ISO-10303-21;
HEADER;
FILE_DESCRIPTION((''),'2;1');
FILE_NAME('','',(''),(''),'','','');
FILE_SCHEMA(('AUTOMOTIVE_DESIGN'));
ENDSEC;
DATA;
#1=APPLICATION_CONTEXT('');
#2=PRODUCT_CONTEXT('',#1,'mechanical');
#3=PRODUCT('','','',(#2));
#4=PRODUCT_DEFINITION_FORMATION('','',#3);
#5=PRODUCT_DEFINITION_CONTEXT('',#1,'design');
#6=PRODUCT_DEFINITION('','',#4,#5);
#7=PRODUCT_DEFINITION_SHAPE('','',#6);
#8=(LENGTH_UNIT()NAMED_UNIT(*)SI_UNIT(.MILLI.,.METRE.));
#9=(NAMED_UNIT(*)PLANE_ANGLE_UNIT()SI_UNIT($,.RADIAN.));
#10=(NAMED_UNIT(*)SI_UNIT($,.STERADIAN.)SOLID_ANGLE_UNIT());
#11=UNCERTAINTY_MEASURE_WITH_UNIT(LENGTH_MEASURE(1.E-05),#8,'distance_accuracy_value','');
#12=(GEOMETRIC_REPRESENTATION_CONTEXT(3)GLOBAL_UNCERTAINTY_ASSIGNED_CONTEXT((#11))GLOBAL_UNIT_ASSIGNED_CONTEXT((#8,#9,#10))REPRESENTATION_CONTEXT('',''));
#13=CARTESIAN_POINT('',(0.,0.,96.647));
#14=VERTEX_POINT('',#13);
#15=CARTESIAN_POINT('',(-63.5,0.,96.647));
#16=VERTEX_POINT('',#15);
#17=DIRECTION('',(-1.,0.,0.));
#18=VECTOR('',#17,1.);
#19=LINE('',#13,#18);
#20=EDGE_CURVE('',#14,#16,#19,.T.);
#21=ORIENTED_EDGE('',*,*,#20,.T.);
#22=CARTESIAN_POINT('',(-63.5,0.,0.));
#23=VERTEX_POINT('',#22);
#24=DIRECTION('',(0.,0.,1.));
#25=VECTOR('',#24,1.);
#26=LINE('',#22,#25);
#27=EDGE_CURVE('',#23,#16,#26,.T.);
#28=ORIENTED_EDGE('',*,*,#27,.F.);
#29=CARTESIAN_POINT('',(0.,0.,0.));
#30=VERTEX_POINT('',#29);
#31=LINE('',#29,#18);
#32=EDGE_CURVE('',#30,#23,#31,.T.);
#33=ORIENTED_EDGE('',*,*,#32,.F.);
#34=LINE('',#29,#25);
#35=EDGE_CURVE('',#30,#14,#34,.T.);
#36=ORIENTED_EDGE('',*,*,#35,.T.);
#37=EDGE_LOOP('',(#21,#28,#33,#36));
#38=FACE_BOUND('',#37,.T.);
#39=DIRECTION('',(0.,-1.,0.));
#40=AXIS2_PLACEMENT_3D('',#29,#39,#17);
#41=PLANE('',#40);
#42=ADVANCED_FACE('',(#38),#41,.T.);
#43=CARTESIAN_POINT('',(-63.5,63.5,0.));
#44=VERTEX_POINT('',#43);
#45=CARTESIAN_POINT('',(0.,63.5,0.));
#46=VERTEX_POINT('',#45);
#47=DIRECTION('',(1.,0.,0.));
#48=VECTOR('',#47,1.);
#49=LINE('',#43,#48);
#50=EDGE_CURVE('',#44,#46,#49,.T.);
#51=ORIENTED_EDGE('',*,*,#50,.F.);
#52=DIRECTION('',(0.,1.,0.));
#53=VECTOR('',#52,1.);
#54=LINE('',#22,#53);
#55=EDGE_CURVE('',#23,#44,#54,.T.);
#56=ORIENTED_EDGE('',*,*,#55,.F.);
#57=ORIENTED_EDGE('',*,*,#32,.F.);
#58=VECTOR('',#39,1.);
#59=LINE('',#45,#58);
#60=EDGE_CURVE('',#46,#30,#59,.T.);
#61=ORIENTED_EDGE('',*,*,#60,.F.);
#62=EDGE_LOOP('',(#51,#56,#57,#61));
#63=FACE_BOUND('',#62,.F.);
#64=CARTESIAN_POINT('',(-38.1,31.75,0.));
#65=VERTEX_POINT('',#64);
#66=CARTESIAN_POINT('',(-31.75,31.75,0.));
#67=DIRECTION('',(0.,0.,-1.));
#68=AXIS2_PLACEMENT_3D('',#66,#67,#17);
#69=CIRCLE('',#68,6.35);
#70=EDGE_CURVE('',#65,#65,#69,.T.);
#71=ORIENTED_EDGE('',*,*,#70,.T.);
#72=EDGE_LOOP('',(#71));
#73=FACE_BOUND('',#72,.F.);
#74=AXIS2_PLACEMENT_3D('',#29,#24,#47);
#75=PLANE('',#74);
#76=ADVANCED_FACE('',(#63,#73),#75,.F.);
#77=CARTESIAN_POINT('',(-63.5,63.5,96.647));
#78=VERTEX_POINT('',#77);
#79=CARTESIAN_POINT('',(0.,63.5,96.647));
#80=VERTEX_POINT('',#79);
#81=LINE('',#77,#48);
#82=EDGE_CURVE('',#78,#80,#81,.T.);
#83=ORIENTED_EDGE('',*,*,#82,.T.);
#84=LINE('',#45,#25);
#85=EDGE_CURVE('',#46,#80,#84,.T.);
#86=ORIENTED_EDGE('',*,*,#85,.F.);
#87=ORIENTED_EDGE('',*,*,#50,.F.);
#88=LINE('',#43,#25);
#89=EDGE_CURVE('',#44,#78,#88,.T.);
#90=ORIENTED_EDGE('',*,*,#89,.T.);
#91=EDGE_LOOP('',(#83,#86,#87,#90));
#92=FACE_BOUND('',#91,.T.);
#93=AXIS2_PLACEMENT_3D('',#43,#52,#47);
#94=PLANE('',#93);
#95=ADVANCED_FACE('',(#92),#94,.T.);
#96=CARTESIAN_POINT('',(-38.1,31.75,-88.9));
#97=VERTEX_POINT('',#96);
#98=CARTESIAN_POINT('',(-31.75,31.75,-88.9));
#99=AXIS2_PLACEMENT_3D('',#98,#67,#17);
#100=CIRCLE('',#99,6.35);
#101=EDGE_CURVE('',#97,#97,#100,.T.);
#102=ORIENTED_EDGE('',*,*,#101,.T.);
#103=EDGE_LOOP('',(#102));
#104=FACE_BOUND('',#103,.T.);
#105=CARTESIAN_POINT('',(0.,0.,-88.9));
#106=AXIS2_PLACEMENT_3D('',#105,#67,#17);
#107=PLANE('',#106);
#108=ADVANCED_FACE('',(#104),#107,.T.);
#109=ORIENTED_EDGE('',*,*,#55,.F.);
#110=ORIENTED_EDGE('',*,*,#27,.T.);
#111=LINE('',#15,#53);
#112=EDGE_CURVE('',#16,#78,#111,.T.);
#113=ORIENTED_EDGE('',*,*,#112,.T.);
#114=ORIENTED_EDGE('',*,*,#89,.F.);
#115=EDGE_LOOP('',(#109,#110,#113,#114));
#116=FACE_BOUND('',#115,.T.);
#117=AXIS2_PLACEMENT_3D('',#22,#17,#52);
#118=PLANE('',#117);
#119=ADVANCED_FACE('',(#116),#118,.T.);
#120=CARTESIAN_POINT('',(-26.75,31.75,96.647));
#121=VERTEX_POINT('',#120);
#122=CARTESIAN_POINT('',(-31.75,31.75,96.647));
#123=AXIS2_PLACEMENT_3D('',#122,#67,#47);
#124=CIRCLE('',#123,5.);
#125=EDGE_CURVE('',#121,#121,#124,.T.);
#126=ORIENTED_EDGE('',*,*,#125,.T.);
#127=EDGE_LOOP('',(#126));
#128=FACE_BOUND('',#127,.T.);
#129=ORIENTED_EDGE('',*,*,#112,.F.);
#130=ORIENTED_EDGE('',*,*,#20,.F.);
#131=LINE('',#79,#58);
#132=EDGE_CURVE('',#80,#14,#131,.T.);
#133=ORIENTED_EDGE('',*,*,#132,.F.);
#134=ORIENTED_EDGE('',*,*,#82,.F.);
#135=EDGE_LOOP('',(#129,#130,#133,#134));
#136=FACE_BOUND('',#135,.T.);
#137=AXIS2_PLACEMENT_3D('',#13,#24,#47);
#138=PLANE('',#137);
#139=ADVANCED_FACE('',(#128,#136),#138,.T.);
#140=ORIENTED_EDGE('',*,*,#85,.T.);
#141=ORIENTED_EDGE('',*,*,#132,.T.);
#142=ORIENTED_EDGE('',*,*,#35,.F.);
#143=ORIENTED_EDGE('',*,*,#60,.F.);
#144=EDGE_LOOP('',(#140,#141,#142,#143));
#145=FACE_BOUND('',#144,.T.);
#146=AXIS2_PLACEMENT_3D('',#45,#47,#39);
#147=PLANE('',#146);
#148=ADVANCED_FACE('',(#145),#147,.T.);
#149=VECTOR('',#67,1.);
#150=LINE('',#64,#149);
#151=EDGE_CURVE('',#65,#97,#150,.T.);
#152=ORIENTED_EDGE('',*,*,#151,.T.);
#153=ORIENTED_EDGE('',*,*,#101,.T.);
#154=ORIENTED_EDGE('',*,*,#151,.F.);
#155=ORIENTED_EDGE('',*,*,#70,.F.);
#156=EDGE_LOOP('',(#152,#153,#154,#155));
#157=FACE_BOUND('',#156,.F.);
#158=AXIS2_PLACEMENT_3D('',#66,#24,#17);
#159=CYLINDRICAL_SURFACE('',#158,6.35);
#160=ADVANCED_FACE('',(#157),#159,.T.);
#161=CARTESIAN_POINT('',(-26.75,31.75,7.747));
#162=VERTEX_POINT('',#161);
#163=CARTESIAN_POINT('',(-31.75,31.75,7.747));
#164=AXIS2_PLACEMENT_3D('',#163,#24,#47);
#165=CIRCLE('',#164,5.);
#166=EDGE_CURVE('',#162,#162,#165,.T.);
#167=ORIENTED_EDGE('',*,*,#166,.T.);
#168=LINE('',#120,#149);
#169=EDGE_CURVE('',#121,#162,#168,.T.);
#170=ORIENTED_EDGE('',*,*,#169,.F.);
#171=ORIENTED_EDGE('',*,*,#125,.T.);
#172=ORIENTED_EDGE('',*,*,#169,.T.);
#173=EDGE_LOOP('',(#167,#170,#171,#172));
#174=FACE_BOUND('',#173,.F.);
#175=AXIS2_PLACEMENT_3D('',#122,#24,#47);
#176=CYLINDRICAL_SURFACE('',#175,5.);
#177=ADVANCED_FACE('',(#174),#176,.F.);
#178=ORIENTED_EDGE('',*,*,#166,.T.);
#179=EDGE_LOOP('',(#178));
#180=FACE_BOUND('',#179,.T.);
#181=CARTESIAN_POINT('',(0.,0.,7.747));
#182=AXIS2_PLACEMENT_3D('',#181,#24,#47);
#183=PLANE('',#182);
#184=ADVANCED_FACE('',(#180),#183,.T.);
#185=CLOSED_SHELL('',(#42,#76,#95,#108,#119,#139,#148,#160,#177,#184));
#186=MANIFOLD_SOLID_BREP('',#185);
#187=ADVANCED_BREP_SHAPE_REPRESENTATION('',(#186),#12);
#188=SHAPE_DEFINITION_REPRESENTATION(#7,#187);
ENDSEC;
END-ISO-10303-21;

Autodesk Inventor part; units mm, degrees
ref_plane "YZ Plane" through (0, 0, 0) normal (1, 0, 0) x (0, 1, 0)
ref_plane "XZ Plane" through (0, 0, 0) normal (0, 1, 0) x (-1, 0, 0)
ref_plane "XY Plane" through (0, 0, 0) normal (0, 0, 1) x (1, 0, 0)
sketch "Sketch1" plane through (0, 0, 0) normal (0, 0, 1) x (1, 0, 0)
  line L0 (0, 0) -> (-63.5, 0)
  line L1 (-63.5, 0) -> (-63.5, 63.5)
  line L2 (-63.5, 63.5) -> (0, 63.5)
  line L3 (0, 63.5) -> (0, 0)
  dimension "d0" = 63.5
  dimension "d1" = 63.5
extrude "Extrusion1" add sketch "Sketch1" along normal blind 96.647
sketch "Sketch2" plane through (0, 0, 0) normal (0, 0, -1) x (-1, 0, 0)
  line L0 (0, 0) -> (63.5, 0) projected
  line L1 (0, 63.5) -> (0, 0) projected
  circle A0 centre (31.75, 31.75) radius 6.35
  dimension "d4" = 12.7
  dimension "d5" = 31.75
  dimension "d6" = 31.75
extrude "Extrusion2" add sketch "Sketch2" along normal blind 88.9
sketch "Sketch3" plane through (0, 0, 96.647) normal (0, 0, 1) x (1, 0, 0)
  line L0 (-63.5, 0) -> (0, 0) projected
  line L1 (0, 63.5) -> (-63.5, 63.5) projected
  line L2 (-31.75, 63.5) -> (-31.75, 0)
  circle A0 centre (-31.75, 31.75) radius 5
  dimension "d9" = 63.5
  dimension "d10" = 10
extrude "Extrusion3" cut sketch "Sketch3" against normal blind 88.9
properties part number "p80 space thing"
